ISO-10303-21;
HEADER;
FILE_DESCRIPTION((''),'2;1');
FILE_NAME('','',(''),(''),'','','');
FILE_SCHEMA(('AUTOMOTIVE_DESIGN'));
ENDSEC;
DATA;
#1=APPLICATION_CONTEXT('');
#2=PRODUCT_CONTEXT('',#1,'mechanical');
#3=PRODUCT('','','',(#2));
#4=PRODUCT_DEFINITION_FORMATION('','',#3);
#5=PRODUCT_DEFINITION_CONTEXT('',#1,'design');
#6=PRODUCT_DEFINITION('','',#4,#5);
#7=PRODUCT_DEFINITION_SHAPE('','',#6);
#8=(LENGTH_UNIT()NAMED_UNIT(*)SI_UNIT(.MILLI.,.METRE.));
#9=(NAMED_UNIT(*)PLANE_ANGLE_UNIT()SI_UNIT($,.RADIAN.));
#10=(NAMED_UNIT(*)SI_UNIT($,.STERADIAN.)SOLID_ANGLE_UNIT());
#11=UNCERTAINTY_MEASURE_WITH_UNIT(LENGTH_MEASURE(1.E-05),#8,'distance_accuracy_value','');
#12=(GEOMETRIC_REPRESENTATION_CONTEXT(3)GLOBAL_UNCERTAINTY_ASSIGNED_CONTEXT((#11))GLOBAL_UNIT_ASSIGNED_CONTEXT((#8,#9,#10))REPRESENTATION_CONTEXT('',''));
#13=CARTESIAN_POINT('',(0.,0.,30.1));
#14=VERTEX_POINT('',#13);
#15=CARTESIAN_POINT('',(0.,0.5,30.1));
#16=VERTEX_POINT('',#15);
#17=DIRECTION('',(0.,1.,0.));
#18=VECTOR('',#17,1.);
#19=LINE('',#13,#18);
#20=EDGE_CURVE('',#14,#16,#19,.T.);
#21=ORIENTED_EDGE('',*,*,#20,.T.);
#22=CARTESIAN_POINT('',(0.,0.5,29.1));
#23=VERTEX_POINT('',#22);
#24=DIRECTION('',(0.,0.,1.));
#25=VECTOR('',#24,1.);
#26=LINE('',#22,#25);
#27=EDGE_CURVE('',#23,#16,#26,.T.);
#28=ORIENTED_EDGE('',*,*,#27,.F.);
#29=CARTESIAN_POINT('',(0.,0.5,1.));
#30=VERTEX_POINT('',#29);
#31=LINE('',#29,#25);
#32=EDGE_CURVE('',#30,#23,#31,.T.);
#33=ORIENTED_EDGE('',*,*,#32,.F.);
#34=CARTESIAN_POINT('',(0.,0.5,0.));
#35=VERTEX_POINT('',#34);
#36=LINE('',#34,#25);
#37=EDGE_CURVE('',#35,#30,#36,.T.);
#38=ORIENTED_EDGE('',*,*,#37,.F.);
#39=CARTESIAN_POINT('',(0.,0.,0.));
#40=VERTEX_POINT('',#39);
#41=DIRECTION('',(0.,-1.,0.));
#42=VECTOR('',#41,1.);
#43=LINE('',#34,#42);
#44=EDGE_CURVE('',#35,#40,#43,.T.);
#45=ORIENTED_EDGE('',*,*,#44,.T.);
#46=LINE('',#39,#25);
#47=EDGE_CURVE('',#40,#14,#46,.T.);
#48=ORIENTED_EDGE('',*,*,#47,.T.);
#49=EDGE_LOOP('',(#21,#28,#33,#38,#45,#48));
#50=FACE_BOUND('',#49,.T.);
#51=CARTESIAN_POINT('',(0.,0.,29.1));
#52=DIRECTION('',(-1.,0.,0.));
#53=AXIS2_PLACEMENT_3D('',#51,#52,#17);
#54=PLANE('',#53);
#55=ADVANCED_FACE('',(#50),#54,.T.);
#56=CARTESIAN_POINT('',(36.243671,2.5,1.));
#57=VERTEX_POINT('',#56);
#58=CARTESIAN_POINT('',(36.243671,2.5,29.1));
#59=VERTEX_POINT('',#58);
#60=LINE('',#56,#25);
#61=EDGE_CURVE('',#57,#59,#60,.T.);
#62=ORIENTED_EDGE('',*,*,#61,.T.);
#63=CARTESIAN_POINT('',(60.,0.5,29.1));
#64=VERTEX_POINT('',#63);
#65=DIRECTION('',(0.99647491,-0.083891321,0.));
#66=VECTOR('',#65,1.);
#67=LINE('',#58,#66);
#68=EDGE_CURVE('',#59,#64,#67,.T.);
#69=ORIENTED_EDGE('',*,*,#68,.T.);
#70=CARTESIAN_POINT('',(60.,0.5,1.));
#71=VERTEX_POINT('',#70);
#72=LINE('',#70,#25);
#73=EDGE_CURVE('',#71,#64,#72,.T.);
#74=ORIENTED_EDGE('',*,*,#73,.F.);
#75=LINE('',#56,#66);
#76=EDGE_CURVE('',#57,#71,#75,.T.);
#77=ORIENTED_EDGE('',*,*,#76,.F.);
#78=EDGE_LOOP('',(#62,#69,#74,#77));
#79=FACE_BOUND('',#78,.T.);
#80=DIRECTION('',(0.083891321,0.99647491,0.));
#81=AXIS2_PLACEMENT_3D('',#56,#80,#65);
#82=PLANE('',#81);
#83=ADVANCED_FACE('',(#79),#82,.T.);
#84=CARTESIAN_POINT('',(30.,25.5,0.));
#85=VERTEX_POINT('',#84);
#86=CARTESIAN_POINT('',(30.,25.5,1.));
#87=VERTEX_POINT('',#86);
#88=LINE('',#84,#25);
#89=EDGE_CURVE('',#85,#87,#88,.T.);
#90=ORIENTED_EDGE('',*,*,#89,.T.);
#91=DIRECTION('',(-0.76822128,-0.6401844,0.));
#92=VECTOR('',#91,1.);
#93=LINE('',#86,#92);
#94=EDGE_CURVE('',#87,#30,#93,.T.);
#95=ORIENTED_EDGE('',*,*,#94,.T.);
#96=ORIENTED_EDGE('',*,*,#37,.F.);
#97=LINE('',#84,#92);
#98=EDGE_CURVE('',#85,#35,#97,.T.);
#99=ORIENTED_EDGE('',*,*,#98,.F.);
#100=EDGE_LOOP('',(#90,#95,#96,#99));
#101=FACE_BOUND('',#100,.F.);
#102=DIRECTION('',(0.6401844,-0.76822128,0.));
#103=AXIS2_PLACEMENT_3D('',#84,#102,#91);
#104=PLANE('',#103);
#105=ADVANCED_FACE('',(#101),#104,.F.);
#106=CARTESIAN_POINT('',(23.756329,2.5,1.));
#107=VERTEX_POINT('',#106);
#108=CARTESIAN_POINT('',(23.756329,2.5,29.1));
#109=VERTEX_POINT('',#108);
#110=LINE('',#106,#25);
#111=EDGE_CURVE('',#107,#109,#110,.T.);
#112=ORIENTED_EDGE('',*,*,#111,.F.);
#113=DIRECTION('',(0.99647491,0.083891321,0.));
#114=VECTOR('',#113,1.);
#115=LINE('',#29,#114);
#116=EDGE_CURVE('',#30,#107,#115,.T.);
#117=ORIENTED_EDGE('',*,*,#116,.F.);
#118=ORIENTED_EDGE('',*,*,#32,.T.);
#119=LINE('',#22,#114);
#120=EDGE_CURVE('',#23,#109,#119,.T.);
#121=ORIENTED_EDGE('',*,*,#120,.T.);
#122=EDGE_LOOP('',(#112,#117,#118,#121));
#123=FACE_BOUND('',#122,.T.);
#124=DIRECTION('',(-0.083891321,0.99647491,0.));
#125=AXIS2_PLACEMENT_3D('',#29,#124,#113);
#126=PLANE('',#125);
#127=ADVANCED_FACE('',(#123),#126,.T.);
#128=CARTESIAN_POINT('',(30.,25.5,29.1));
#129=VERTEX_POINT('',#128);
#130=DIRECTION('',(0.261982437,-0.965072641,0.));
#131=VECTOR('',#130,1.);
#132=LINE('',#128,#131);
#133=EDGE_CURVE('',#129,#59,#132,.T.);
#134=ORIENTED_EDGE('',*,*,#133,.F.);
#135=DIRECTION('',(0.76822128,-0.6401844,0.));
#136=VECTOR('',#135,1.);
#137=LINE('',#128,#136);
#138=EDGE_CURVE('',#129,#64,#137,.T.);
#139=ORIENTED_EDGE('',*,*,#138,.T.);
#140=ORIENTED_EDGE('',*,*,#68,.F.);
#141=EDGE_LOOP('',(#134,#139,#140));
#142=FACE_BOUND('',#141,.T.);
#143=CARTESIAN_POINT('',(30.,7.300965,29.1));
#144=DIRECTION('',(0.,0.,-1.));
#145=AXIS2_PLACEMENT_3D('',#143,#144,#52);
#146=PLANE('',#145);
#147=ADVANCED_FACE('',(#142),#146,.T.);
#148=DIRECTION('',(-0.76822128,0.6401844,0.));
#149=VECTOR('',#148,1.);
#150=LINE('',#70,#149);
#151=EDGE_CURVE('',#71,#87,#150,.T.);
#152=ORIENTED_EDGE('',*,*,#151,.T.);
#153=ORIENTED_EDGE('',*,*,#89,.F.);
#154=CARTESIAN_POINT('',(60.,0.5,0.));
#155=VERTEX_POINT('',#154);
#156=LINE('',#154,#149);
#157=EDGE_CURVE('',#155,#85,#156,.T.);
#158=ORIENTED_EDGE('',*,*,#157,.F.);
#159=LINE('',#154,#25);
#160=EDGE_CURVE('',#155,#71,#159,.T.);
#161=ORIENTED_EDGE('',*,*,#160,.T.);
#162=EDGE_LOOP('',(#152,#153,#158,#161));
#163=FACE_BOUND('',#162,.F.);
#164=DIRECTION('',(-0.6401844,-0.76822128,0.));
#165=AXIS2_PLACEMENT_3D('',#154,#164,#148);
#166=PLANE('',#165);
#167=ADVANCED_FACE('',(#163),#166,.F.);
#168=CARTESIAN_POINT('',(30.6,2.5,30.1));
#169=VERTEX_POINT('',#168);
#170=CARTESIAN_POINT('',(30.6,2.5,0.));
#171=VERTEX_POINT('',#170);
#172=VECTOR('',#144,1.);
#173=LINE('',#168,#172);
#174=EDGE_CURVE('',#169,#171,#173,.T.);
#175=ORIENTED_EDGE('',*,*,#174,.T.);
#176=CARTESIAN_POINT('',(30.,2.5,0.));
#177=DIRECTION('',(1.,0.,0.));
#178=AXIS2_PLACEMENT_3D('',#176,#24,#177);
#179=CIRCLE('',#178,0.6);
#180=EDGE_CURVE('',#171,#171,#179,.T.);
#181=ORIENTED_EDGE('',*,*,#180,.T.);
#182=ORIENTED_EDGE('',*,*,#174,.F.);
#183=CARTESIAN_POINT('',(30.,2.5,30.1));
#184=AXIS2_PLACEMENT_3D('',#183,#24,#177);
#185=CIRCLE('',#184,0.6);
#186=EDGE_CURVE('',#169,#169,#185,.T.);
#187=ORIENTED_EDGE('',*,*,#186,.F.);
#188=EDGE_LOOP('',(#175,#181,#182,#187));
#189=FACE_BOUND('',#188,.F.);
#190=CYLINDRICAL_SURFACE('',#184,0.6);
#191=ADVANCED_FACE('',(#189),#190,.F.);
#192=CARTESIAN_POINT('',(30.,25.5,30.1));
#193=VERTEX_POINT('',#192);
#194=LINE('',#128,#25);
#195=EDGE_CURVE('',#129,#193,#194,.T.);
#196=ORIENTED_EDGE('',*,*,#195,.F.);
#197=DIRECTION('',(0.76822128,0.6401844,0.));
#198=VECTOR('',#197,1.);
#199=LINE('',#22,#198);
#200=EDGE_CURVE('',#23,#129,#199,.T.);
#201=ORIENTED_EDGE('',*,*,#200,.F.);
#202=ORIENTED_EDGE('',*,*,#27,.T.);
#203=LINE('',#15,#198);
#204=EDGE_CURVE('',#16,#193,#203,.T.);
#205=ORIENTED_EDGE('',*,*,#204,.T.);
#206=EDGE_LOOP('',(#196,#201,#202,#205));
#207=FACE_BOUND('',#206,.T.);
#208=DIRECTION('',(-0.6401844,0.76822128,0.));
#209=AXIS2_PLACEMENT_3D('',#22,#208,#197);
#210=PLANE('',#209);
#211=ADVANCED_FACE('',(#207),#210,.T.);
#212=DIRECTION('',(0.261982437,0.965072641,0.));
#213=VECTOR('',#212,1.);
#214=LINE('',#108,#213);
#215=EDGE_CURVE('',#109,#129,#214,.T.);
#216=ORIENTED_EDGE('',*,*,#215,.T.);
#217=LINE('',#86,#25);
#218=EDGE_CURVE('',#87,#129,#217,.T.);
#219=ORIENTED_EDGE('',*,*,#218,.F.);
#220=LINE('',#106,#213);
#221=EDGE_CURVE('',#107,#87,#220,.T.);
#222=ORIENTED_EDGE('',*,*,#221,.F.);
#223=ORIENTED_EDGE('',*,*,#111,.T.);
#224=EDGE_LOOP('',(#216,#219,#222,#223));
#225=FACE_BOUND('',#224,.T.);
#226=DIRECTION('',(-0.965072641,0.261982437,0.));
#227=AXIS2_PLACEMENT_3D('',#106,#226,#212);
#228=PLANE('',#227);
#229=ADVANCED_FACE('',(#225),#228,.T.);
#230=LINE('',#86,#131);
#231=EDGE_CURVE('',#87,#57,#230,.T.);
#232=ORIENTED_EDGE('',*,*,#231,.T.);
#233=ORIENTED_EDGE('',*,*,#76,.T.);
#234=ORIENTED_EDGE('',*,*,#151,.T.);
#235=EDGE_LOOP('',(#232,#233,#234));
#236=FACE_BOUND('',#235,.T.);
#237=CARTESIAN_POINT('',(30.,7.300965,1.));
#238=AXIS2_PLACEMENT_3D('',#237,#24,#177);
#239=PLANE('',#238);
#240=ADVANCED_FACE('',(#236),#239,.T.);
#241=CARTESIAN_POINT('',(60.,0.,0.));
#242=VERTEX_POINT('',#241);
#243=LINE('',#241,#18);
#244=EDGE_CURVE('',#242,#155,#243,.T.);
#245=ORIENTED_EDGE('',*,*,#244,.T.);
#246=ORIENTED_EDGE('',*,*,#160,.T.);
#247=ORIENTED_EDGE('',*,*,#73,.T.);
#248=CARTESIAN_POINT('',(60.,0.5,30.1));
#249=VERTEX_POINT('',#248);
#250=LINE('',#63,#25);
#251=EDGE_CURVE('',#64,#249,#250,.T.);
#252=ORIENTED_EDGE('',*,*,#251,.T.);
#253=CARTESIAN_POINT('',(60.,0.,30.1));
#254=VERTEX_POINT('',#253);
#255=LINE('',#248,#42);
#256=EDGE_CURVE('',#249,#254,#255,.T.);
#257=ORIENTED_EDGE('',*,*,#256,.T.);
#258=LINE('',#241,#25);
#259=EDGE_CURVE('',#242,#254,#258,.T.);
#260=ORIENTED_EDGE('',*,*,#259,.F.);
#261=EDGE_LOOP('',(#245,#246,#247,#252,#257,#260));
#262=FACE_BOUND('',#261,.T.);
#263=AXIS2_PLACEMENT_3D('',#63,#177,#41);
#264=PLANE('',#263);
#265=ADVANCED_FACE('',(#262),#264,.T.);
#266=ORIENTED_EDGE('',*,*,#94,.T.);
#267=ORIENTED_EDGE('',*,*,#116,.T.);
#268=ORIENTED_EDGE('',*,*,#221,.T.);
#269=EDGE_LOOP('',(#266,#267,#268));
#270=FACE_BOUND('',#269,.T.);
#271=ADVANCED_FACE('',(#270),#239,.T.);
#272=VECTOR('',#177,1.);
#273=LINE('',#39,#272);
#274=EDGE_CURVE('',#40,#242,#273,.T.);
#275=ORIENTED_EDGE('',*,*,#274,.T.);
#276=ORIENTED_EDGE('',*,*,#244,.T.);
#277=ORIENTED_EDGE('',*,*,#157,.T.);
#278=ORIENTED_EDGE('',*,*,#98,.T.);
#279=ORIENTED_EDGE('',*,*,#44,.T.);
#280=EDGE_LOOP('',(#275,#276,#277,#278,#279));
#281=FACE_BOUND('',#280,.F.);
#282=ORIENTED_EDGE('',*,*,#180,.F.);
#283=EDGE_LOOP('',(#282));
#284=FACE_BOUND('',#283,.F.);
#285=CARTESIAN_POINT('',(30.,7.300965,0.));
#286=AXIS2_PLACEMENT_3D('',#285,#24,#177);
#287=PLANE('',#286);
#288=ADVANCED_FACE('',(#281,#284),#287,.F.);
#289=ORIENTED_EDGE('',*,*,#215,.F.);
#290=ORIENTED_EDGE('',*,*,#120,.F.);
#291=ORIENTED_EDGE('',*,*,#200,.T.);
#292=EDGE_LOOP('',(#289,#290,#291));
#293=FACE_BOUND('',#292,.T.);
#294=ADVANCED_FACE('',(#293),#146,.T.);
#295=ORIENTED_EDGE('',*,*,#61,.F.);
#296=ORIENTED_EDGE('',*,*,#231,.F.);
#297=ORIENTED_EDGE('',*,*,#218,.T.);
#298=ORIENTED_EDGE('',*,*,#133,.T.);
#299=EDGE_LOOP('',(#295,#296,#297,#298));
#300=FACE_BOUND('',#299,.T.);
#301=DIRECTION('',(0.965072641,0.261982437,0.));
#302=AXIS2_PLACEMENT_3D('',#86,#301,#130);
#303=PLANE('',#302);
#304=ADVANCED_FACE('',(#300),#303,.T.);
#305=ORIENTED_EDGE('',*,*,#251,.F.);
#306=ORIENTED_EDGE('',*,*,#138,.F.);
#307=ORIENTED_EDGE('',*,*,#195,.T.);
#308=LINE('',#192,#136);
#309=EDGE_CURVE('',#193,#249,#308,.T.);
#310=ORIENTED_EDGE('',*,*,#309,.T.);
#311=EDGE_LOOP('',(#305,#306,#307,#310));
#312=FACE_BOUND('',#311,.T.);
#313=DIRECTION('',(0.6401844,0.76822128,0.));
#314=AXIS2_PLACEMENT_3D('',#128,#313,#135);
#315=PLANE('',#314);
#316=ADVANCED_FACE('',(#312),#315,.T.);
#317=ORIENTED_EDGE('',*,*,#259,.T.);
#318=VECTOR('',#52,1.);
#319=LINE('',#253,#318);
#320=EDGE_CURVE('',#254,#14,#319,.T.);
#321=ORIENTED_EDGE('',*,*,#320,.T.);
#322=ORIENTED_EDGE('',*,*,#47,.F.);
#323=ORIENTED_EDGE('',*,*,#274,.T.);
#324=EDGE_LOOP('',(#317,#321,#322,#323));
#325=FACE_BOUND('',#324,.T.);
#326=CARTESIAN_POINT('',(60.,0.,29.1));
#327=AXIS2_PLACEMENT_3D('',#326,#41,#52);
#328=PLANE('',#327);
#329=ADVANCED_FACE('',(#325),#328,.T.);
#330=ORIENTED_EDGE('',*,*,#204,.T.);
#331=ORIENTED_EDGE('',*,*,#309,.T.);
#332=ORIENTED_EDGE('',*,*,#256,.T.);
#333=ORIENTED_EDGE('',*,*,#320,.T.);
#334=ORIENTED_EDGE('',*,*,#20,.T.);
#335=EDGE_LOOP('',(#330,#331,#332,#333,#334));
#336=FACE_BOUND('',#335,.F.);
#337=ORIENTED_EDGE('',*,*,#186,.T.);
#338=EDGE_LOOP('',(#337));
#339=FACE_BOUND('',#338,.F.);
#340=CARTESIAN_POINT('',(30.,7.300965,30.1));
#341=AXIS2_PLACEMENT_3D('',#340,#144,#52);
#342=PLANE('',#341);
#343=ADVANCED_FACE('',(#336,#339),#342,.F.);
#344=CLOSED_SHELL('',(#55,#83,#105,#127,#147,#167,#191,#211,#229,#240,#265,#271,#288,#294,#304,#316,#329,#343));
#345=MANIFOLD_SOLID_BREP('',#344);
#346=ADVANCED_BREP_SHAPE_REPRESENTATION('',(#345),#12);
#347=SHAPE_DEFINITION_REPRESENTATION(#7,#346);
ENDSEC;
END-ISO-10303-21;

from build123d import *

# Parameters (mm, degrees)
PAD_DEPTH    = 1
PAD001_DEPTH = 28.1
PAD002_DEPTH = 1
SKETCH003_R  = 0.6
POCKET_DEPTH = 30.1


with BuildPart() as part:
    # Sketch → Pad (new body)
    with BuildSketch(Plane.XY):
        Polygon((0, 0), (60, 0), (60, 0.5), (30, 25.5), (0, 0.5), align=None)
    extrude(amount=PAD_DEPTH)

    # Sketch001 (on Face7 of Pad) → Pad001 (join)
    with BuildSketch(Plane.XY.offset(1)):
        Polygon((0, 0), (0, 0.5), (23.756329, 2.5), (30, 25.5), (36.243671, 2.5), (60, 0.5), (60, 0), align=None)
    extrude(amount=PAD001_DEPTH)

    # Sketch002 (on Face13 of Pad001) → Pad002 (join)
    with BuildSketch(Plane.XY.offset(29.1)):
        Polygon((0, 0), (0, 0.5), (30, 25.5), (60, 0.5), (60, 0), align=None)
    extrude(amount=PAD002_DEPTH)

    # Sketch003 (on Face20 of Pad002) → Pocket (cut)
    with BuildSketch(Plane.XY.offset(30.1)):
        with Locations((30, 2.5)):
            Circle(SKETCH003_R)
    extrude(amount=-POCKET_DEPTH, mode=Mode.SUBTRACT)


solid = part.part
